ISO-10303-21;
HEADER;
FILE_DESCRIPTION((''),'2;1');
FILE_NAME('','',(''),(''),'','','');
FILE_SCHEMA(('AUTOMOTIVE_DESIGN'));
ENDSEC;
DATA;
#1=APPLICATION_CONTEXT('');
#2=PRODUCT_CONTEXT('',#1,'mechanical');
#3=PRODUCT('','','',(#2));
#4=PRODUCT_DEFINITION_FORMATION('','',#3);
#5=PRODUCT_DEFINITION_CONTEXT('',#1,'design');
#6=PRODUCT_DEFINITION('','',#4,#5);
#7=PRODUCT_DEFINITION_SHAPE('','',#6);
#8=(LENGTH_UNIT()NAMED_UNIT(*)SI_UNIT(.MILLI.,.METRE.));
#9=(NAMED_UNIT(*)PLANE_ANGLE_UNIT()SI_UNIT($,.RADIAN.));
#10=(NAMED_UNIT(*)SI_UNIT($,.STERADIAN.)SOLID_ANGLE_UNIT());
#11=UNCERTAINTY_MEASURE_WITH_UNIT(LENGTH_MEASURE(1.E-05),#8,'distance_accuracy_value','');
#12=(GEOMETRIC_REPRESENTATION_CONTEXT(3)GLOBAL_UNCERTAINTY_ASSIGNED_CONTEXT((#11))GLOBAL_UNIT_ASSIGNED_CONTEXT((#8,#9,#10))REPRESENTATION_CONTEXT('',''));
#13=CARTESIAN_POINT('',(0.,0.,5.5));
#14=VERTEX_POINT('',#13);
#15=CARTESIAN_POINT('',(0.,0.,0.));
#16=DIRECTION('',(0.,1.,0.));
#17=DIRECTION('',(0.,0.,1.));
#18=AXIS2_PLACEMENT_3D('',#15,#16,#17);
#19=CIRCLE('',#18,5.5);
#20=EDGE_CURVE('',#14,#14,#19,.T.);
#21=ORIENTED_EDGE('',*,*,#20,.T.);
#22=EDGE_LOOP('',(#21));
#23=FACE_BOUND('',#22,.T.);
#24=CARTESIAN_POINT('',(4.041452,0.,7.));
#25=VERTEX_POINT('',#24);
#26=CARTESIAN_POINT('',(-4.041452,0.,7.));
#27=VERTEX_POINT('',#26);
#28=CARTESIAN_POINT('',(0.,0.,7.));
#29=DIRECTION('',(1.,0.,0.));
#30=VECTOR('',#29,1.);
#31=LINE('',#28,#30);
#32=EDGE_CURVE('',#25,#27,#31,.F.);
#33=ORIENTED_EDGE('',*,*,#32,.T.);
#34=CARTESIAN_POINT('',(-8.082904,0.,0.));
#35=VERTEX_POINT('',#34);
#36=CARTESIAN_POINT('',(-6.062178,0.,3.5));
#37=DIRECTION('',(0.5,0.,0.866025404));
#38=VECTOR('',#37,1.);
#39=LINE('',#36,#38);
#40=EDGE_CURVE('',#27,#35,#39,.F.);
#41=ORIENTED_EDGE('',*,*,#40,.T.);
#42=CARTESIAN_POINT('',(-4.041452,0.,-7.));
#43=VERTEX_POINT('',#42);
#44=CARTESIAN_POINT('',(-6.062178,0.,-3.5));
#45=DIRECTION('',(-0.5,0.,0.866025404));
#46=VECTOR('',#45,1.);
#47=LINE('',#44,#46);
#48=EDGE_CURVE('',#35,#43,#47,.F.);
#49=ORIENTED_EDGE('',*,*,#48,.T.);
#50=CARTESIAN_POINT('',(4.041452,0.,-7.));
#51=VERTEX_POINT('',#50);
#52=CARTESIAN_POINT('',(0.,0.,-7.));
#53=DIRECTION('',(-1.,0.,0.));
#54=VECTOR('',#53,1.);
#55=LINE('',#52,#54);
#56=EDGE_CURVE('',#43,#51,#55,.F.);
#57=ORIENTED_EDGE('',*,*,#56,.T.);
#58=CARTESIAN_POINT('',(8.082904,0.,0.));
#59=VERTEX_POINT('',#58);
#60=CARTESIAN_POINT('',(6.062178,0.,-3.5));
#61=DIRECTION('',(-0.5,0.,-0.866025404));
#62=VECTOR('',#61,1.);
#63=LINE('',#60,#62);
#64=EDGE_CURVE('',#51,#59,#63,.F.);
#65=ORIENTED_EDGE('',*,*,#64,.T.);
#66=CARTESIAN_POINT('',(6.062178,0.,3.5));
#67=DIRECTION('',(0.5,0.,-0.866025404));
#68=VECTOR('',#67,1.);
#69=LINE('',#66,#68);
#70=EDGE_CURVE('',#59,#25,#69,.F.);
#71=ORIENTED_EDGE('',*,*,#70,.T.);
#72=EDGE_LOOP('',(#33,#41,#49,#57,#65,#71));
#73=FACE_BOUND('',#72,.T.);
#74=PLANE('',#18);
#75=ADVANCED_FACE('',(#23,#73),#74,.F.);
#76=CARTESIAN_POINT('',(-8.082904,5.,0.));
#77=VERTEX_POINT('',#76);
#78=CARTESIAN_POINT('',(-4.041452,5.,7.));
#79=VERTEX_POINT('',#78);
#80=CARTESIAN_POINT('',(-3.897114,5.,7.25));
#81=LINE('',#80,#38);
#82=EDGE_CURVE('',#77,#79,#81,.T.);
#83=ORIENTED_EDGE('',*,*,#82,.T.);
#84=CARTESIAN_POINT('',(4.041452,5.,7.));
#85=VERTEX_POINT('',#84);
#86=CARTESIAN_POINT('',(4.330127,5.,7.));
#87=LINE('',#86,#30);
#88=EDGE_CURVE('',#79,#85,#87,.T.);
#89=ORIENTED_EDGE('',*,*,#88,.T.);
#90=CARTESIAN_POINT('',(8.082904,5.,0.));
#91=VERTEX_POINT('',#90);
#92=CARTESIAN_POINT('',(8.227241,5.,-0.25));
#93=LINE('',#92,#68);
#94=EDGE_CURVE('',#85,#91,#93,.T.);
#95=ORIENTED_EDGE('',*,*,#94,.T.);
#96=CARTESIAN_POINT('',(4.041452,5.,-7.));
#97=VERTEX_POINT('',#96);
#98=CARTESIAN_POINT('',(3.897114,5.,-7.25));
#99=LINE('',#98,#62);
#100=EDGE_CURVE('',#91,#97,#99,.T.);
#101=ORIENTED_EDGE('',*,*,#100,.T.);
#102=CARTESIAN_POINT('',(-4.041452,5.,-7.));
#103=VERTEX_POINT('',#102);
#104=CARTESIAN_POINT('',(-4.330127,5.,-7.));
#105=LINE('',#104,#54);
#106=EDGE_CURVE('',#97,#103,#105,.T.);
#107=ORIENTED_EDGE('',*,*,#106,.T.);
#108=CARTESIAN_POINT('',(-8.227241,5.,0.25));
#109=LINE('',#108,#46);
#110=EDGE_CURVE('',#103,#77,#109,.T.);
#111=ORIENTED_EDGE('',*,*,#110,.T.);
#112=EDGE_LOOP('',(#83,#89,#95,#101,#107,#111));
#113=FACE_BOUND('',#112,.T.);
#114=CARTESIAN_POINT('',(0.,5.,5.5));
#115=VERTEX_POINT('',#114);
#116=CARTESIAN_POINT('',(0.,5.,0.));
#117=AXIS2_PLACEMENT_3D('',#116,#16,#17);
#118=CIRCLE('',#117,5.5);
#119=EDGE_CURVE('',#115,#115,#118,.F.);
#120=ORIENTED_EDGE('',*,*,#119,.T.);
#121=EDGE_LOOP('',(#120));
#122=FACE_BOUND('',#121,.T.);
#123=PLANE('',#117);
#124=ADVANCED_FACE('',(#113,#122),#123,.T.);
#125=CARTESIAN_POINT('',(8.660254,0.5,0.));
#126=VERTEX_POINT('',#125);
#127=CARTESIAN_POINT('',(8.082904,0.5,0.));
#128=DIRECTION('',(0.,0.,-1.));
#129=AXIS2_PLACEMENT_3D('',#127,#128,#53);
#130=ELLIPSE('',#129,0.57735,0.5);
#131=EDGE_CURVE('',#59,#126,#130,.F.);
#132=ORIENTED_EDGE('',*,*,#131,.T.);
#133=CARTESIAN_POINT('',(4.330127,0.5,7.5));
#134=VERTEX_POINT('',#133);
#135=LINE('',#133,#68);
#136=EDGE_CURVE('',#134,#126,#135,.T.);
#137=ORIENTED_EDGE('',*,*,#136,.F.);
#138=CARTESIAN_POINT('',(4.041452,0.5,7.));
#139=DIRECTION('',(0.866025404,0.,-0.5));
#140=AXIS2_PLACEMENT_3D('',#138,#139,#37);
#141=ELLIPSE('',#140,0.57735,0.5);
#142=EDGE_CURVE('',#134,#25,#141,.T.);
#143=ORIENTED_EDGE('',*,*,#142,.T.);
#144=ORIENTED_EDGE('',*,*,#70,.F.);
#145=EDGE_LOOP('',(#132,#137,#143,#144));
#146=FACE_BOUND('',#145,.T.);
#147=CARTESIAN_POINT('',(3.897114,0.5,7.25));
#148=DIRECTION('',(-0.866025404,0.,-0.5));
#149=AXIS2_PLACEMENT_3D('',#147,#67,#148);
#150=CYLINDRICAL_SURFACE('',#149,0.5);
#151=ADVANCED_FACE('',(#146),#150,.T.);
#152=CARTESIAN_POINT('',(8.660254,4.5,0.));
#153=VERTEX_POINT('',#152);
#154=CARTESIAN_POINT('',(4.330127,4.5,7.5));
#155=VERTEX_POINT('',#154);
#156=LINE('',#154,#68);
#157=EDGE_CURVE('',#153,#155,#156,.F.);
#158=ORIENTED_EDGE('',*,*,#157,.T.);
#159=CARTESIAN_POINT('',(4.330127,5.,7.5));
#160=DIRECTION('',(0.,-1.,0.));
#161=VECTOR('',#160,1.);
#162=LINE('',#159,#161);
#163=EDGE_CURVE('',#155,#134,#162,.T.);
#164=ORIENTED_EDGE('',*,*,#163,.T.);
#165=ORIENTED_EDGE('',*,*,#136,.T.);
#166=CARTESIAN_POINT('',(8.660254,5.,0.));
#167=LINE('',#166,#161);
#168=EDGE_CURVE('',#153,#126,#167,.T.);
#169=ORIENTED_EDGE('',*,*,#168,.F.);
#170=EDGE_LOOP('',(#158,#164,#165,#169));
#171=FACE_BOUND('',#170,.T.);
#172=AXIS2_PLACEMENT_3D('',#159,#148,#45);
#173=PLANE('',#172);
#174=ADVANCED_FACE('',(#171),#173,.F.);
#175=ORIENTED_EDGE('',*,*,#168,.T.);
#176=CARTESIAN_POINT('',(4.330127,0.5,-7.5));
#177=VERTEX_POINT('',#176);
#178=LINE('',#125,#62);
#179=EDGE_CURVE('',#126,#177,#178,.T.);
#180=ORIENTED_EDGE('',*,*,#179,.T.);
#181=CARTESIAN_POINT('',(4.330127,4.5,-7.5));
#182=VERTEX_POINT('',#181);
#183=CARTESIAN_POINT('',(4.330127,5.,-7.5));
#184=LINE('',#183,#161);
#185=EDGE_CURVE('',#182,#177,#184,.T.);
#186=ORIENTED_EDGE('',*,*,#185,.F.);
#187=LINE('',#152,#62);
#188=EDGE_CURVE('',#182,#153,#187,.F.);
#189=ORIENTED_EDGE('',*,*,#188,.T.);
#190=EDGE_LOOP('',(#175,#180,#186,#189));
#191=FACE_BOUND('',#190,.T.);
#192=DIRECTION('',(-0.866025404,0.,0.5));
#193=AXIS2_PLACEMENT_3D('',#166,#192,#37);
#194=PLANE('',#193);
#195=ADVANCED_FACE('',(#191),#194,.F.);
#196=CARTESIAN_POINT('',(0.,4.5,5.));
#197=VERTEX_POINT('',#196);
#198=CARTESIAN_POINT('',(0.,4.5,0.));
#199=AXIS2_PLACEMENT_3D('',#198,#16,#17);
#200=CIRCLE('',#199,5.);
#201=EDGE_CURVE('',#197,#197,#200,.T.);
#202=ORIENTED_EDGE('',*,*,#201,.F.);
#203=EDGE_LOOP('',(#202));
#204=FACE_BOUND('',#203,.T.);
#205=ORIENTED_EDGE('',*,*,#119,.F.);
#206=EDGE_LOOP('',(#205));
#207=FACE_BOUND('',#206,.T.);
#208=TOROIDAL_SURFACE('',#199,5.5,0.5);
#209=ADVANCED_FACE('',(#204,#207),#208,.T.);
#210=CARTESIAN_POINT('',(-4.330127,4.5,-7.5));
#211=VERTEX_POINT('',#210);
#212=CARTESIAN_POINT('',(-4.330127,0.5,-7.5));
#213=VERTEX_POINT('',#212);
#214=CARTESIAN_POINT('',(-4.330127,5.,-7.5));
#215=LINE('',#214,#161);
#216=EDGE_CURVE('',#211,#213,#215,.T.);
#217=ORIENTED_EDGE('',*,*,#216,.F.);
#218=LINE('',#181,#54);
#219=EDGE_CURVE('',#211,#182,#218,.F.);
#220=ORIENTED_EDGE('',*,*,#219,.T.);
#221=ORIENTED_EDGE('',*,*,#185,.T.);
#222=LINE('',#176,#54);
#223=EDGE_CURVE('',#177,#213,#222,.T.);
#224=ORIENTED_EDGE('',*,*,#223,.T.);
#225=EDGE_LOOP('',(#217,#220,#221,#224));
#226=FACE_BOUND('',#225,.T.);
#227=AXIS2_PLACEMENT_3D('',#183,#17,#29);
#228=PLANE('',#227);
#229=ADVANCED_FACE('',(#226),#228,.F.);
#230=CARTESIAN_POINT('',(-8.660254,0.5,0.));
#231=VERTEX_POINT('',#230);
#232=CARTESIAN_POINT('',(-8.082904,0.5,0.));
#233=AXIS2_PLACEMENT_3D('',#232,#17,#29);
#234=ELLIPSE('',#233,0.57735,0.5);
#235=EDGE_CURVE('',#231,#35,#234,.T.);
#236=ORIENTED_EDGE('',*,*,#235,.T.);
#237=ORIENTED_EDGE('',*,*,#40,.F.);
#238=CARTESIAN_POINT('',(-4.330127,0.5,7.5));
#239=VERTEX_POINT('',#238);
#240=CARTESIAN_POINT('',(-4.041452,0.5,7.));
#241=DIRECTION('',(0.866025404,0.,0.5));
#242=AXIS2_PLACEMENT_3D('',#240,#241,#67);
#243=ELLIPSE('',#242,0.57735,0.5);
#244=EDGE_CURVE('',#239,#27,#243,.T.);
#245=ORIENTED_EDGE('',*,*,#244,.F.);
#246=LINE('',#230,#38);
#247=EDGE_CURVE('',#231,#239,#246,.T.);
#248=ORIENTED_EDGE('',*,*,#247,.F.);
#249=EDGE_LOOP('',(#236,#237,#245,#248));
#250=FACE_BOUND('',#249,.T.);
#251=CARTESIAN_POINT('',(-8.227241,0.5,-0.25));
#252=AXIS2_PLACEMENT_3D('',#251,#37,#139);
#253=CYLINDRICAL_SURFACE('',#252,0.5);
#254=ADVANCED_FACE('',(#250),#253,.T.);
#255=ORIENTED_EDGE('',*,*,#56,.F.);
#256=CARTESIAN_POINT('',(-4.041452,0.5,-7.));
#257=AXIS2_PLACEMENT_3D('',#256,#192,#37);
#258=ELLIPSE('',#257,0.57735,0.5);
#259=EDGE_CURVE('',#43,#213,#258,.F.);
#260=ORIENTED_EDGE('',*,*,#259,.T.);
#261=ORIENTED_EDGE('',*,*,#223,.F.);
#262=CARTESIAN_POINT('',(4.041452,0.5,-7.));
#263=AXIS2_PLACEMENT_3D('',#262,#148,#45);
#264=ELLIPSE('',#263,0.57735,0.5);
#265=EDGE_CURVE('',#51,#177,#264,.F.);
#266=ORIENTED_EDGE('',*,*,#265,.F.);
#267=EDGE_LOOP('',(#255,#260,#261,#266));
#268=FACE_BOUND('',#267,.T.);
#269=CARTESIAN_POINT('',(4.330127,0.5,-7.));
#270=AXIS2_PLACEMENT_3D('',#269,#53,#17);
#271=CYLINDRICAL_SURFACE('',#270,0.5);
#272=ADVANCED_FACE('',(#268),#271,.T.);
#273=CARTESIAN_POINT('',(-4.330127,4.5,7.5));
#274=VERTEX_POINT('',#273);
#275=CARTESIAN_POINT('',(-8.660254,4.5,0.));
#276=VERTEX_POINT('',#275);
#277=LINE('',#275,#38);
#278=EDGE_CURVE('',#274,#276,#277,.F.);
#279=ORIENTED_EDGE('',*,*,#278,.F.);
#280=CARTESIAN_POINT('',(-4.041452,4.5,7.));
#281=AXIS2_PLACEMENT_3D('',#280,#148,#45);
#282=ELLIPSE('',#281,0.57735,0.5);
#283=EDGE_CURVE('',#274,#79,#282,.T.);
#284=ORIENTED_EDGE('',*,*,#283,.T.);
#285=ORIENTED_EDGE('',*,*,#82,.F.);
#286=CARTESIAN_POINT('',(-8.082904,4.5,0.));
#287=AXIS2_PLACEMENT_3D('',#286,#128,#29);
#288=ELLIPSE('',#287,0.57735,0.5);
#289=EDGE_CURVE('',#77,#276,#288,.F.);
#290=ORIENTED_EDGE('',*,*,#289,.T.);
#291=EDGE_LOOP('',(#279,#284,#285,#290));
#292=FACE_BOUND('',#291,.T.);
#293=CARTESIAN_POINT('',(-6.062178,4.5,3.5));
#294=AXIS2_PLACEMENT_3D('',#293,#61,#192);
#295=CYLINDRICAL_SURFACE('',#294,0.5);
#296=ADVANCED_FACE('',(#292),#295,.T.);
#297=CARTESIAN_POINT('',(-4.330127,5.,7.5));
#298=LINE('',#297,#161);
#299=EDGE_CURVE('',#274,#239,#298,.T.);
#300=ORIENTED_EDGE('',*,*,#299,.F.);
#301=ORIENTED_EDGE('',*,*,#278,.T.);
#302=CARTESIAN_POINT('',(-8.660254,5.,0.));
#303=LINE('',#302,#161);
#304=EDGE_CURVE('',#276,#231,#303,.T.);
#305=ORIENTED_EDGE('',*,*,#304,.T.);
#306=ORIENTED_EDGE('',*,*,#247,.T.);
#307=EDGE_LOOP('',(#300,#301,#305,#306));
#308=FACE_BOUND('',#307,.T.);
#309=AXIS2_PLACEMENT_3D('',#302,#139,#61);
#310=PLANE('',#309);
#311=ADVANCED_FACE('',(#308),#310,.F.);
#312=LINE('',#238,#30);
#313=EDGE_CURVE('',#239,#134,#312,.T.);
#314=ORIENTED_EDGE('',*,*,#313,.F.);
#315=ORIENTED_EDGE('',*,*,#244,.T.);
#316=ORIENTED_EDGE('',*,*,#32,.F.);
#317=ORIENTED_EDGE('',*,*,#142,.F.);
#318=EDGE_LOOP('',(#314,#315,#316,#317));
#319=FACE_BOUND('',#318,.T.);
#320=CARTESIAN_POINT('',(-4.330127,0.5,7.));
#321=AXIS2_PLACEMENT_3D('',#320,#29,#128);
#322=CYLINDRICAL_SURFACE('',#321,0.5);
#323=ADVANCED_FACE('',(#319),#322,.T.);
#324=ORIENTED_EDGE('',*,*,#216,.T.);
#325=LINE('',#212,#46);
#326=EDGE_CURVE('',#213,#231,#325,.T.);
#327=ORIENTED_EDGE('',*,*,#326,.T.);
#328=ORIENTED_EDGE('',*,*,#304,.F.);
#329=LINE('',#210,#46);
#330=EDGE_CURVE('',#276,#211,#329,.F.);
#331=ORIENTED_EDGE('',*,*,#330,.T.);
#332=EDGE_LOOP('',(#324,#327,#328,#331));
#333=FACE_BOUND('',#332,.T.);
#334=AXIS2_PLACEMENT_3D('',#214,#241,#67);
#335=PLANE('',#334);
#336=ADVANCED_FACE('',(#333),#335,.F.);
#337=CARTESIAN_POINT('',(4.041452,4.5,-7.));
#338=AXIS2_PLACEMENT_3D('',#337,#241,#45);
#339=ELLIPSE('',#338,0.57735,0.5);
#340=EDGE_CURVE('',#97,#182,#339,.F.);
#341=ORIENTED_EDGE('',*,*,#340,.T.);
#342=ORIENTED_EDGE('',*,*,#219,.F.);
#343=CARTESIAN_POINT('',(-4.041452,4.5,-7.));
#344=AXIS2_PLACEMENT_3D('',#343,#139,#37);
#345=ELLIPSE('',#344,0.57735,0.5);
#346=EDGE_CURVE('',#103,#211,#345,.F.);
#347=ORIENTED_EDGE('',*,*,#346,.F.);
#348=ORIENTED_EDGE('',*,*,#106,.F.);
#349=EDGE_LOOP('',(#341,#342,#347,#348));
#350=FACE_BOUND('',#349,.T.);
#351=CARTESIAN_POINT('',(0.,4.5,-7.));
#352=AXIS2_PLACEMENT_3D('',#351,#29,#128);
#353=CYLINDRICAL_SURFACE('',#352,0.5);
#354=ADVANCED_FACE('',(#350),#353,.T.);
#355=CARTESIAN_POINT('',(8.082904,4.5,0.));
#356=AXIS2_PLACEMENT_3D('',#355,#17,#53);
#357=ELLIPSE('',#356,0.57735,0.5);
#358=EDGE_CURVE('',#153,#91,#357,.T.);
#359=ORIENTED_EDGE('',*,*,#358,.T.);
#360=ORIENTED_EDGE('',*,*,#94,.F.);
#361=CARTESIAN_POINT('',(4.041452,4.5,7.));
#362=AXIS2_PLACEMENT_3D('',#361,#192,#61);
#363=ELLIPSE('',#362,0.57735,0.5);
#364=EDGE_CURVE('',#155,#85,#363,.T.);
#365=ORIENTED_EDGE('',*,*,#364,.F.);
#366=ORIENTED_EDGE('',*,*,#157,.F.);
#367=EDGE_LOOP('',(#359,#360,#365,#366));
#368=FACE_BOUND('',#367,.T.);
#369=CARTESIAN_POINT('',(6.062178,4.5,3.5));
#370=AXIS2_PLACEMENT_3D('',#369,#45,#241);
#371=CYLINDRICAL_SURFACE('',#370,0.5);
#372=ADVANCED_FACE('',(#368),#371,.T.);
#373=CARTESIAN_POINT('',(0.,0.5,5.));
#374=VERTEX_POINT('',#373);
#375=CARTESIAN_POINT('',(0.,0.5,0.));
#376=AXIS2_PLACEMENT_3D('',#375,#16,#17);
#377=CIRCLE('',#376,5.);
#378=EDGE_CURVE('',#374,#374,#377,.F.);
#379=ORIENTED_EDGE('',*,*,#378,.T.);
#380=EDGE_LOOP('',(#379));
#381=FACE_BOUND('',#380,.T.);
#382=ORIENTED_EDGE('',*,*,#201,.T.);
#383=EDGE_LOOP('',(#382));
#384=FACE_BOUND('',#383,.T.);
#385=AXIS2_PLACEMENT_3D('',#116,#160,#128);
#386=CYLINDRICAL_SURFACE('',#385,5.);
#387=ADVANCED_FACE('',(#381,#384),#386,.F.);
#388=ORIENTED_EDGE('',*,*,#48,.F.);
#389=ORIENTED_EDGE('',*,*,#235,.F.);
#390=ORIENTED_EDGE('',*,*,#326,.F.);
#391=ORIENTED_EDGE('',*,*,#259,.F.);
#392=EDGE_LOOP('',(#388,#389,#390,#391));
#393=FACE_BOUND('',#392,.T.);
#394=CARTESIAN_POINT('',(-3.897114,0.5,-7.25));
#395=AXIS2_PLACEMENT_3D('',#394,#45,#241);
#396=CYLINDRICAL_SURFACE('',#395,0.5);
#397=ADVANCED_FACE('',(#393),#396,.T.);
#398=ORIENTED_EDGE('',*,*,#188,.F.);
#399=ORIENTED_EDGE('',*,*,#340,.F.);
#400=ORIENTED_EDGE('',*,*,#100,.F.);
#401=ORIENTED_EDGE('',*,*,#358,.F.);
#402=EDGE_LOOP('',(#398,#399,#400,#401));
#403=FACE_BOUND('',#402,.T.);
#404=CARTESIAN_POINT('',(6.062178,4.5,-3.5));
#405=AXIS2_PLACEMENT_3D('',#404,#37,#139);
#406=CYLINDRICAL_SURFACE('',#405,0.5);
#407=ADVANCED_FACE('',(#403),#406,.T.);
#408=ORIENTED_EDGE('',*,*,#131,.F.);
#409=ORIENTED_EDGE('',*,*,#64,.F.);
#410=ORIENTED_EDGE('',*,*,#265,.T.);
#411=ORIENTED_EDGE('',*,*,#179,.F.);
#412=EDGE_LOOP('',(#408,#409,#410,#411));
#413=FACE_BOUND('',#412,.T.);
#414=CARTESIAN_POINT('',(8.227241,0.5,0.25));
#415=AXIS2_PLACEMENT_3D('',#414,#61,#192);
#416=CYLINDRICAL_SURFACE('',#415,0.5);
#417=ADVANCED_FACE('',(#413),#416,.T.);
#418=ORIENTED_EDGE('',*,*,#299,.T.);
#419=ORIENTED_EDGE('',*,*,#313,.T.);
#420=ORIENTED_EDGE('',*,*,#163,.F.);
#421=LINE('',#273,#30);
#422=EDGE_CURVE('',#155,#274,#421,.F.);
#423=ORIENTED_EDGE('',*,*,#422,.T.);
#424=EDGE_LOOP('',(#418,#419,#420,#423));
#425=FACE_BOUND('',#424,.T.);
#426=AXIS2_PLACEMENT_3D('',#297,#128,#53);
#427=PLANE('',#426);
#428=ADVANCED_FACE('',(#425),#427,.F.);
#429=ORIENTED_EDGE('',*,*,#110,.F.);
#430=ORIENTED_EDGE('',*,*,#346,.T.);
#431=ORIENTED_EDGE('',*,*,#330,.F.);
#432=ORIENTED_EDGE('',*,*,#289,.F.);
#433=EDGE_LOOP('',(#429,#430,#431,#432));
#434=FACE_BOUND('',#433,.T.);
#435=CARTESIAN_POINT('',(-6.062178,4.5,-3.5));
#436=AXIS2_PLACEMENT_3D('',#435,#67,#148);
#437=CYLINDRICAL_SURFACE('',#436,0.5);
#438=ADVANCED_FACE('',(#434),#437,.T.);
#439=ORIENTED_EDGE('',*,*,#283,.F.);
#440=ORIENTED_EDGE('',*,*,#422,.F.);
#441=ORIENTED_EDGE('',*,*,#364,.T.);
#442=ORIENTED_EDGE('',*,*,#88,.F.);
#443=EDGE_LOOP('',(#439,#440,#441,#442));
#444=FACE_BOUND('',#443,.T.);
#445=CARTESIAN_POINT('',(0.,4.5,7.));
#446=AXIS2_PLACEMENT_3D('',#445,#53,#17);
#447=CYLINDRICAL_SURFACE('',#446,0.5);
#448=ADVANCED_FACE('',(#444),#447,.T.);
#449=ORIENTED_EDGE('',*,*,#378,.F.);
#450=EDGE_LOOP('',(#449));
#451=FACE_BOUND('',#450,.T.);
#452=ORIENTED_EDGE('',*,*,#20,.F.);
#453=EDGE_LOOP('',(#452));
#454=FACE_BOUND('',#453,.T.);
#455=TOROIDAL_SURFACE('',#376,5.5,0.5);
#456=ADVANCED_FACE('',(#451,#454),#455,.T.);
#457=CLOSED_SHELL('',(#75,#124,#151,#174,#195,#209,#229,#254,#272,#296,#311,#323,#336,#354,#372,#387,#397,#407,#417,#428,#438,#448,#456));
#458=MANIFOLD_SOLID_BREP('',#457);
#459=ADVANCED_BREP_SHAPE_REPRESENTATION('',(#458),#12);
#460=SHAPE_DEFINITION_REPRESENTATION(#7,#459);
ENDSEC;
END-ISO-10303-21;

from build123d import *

# Parameters (mm, degrees)
SKETCH1_R           = 5
BOSS_EXTRUDE1_DEPTH = 5
FILLET1_R           = 0.5


with BuildPart() as part:
    # Sketch1 → Boss-Extrude1 (new body)
    with BuildSketch(Plane(origin=(0, 0, 0), x_dir=(1, 0, 0), z_dir=(0, 1, 0))):
        Polygon((4.330127019, -7.5), (8.660254038, 0), (4.330127019, 7.5), (-4.330127019, 7.5), (-8.660254038, 0), (-4.330127019, -7.5), align=None)
        Circle(SKETCH1_R, mode=Mode.SUBTRACT)
    extrude(amount=BOSS_EXTRUDE1_DEPTH)

    # Fillet1
    fillet1_edges = [part.edges().sort_by_distance(p)[0] for p in [
        (6.495190528, 5, -3.75),
        (0, 5, -7.5),
        (-6.495190528, 5, -3.75),
        (-5, 0, 0),
        (-5, 5, 0),
        (-6.495190528, 5, 3.75),
        (0, 5, 7.5),
        (-6.495190528, 0, 3.75),
        (-6.495190528, 0, -3.75),
        (0, 0, -7.5),
        (6.495190528, 5, 3.75),
        (6.495190528, 0, -3.75),
        (6.495190528, 0, 3.75),
        (0, 0, 7.5),
    ]]
    fillet(fillet1_edges, radius=FILLET1_R)


solid = part.part
